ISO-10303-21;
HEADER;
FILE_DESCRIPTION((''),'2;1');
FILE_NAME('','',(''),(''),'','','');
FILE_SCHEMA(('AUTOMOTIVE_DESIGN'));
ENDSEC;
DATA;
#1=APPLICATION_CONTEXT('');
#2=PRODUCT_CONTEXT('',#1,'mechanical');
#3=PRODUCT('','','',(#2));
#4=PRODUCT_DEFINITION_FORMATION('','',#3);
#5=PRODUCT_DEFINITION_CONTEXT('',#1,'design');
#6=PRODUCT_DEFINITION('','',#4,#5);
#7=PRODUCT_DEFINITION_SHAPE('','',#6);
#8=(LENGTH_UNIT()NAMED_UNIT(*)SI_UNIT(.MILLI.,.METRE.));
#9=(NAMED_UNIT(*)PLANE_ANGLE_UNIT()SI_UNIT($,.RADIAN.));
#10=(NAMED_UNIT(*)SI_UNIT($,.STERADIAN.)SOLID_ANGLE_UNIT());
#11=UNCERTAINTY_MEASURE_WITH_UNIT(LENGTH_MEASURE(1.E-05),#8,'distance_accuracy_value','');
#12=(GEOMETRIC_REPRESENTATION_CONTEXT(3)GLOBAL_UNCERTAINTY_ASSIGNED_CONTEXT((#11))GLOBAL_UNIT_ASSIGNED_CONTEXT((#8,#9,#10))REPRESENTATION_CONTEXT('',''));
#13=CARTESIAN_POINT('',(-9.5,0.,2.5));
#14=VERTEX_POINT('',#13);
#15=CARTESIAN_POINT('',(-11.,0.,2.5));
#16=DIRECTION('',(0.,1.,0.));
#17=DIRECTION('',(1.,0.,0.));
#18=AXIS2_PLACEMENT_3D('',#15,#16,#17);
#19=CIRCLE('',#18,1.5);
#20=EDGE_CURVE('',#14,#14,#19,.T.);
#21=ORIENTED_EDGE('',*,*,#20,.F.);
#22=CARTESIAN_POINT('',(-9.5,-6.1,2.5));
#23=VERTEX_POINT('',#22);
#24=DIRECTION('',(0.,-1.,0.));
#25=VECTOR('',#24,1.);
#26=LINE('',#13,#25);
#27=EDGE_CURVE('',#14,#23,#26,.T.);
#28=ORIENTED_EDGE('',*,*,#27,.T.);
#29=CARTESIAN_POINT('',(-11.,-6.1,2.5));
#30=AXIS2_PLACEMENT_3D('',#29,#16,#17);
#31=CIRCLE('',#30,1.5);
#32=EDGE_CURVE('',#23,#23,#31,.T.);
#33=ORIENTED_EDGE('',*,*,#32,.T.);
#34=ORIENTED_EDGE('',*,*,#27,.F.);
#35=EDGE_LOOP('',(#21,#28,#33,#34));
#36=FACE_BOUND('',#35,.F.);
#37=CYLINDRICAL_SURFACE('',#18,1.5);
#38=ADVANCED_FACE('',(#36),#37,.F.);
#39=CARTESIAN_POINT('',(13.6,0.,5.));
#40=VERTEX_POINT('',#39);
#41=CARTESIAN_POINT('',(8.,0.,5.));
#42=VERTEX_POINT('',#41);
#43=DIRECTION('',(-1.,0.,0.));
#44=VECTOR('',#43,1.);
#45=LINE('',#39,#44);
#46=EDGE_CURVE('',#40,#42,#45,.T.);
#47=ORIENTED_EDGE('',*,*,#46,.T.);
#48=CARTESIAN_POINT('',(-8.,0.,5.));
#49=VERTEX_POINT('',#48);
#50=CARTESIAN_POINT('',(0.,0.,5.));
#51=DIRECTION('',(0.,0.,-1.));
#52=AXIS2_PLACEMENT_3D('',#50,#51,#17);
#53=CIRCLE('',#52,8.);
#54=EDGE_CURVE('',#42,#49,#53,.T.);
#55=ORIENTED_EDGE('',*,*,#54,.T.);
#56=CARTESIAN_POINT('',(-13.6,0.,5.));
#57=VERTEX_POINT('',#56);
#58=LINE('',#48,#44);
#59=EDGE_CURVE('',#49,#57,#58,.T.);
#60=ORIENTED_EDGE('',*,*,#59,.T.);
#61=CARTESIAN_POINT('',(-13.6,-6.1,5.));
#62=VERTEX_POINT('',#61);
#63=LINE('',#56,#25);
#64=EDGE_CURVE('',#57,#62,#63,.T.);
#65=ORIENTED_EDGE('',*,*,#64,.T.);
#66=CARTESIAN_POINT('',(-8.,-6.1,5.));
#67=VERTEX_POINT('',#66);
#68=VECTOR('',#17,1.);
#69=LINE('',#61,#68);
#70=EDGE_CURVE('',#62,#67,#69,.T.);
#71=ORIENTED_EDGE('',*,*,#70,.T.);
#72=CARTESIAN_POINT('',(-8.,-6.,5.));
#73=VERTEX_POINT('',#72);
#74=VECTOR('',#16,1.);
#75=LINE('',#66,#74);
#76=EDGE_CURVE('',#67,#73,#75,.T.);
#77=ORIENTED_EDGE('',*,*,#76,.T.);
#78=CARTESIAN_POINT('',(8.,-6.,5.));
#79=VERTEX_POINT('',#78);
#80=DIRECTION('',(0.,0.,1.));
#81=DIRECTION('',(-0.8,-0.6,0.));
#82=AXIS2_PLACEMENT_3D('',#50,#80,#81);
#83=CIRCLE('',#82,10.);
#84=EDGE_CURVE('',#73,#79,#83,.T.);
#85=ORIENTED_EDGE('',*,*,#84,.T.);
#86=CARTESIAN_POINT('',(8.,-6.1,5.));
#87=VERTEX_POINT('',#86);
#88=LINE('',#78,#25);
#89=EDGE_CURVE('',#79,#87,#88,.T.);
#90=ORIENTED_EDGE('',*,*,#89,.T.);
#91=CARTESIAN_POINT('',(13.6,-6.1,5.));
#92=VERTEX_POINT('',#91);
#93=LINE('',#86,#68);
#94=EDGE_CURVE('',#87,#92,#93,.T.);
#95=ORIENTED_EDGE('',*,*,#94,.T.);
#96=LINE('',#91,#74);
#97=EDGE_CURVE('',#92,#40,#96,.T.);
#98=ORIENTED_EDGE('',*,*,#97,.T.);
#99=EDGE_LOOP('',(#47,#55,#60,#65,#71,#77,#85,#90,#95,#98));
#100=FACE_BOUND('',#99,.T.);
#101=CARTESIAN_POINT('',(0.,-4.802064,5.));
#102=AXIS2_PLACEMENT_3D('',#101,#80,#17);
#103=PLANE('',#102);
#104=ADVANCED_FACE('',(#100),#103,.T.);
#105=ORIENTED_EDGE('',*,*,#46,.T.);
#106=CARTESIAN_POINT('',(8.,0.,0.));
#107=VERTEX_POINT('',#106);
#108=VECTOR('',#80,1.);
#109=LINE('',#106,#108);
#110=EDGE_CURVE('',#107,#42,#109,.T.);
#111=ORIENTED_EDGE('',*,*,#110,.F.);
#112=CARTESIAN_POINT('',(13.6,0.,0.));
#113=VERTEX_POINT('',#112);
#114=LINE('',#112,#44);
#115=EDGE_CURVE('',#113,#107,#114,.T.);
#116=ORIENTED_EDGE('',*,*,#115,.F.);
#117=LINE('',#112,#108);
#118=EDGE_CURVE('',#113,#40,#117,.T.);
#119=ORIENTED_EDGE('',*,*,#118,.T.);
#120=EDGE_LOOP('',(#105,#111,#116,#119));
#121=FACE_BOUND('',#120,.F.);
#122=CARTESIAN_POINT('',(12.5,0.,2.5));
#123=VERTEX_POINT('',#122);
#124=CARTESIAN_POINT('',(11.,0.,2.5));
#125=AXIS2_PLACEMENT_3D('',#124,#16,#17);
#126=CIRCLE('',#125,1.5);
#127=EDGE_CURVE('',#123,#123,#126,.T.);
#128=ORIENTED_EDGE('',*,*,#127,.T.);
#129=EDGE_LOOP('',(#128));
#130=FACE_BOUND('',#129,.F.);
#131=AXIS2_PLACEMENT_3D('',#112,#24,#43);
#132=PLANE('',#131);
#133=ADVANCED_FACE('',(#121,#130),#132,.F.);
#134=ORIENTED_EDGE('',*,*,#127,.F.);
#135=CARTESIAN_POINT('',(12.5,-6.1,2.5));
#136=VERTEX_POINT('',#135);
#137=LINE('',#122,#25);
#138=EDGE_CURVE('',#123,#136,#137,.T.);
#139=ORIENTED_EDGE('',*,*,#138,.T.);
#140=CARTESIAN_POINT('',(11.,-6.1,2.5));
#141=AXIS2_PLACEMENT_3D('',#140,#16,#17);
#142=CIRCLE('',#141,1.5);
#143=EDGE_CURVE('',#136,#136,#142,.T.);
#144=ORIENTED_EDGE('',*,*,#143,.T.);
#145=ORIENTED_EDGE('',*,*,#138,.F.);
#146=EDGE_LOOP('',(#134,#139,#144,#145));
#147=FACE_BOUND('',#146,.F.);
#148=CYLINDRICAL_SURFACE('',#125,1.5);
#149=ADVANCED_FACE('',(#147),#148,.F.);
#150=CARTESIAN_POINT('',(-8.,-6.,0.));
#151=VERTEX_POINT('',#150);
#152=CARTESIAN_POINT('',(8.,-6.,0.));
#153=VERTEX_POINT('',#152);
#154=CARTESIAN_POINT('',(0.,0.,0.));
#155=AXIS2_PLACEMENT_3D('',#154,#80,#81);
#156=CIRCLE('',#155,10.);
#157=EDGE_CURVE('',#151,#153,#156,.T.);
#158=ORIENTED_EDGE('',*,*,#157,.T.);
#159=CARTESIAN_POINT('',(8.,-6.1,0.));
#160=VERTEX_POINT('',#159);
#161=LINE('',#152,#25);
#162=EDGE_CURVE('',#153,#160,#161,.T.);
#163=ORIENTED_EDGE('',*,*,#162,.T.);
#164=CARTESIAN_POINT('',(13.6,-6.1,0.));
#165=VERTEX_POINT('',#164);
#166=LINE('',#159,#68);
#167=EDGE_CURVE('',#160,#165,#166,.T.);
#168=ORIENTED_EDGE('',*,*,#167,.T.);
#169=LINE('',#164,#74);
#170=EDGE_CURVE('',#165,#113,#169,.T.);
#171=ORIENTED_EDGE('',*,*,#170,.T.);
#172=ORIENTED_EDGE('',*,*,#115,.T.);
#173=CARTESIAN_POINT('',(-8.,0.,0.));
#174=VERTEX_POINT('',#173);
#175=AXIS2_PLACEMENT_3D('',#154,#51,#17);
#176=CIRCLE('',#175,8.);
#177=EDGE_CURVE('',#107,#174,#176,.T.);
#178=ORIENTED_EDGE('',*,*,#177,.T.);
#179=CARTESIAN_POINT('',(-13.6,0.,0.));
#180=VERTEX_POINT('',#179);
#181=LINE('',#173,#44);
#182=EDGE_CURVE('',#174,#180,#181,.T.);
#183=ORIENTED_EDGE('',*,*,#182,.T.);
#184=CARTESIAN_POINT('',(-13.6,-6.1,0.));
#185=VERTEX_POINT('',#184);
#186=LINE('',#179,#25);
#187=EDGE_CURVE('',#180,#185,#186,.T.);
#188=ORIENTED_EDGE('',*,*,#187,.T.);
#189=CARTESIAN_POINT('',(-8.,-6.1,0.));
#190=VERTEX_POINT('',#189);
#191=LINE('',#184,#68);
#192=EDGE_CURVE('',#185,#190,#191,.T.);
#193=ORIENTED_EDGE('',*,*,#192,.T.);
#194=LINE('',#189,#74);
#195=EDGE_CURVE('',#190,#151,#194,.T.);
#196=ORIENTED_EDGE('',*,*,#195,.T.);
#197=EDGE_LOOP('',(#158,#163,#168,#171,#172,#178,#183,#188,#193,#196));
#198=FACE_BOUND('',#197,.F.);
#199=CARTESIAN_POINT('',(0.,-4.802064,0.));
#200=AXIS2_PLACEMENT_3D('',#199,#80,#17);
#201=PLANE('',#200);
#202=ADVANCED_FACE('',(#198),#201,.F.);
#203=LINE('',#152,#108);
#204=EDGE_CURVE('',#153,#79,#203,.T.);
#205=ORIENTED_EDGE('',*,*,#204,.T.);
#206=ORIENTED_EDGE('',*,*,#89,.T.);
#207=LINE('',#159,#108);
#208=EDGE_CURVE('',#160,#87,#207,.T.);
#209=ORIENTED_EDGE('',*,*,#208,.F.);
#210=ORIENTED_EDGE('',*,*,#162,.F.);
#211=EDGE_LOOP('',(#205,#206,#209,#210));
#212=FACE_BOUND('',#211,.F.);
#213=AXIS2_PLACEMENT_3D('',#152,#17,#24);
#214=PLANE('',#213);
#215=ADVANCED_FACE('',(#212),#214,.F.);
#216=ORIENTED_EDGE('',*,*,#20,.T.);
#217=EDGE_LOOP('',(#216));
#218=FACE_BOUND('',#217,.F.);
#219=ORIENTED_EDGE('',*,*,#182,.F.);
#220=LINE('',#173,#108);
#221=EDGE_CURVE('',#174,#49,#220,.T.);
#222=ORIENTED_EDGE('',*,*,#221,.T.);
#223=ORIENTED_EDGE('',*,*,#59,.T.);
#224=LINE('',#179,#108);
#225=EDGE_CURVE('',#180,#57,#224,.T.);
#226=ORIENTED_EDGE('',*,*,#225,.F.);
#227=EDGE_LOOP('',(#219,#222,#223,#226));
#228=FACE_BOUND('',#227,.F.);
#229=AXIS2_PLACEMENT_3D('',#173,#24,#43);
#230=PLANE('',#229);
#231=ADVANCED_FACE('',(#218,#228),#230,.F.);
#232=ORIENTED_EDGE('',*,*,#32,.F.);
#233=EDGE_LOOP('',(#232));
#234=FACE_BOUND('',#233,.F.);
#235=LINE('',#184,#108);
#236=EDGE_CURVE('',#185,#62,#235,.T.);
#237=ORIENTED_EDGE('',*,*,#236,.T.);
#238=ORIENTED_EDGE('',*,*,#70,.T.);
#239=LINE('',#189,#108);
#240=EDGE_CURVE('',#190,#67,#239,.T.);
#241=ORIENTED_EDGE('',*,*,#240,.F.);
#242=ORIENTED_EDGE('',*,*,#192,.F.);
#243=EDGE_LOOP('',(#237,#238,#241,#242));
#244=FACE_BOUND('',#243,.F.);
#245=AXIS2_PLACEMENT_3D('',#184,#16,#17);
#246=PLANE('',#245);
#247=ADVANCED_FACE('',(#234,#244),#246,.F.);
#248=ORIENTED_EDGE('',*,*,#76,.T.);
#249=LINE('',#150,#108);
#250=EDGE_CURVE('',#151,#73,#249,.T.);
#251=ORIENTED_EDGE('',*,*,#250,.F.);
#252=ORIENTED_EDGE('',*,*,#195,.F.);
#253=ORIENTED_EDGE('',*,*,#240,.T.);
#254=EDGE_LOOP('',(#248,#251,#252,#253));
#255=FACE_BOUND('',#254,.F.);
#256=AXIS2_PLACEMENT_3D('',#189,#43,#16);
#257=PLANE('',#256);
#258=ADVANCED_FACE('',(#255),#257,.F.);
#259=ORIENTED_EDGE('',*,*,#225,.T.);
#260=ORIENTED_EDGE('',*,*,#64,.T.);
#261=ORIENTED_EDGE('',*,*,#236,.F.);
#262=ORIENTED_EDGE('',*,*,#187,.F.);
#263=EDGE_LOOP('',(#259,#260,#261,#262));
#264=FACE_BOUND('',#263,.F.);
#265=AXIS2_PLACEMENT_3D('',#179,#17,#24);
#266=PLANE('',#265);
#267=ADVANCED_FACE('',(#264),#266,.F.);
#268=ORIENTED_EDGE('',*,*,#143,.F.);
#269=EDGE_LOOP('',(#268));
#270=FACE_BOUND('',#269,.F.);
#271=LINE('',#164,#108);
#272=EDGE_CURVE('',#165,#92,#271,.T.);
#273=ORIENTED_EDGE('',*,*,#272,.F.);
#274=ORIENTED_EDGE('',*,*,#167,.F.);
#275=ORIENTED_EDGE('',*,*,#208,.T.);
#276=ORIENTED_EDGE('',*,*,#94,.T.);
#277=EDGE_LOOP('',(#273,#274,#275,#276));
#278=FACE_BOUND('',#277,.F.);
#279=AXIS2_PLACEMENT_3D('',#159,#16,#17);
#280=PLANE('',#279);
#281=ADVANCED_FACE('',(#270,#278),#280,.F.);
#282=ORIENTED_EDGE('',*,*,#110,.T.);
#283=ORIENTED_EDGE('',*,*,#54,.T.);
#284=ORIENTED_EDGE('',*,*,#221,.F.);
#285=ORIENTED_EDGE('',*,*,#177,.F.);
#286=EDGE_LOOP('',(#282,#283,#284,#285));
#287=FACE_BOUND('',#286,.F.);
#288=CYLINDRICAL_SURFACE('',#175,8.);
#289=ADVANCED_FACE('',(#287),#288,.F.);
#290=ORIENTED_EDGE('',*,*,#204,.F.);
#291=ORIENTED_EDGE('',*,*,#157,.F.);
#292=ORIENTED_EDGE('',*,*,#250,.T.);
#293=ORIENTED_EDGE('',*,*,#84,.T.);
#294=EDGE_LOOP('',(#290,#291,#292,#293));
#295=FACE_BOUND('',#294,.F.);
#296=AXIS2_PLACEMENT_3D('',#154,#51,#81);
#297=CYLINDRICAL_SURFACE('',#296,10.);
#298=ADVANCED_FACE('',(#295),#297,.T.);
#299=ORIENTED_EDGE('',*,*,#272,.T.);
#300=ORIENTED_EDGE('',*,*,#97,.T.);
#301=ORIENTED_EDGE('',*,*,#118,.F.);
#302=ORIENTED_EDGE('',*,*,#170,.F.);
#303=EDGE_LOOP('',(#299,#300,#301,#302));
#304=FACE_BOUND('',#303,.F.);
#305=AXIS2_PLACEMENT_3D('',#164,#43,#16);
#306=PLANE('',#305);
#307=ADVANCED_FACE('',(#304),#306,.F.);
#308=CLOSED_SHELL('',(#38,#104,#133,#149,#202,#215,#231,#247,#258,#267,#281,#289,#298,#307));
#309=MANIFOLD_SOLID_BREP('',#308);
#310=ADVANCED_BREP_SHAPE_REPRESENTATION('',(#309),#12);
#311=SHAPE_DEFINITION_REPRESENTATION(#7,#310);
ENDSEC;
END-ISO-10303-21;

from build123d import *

# Parameters (mm, degrees)
BOSS_EXTRUDE1_DEPTH = 5
SKETCH3_R           = 1.5
CUT_EXTRUDE1_DEPTH  = 10


with BuildPart() as part:
    # Sketch2 → Boss-Extrude1 (new body)
    with BuildSketch(Plane.XY):
        with BuildLine():
            ThreePointArc((-8, -6), (0, -10), (8, -6))
            Line((8, -6), (8, -6.1))
            Line((8, -6.1), (13.6, -6.1))
            Line((13.6, -6.1), (13.6, 0))
            Line((13.6, 0), (8, 0))
            ThreePointArc((8, 0), (0, -8), (-8, 0))
            Line((-8, 0), (-13.6, 0))
            Line((-13.6, 0), (-13.6, -6.1))
            Line((-13.6, -6.1), (-8, -6.1))
            Line((-8, -6.1), (-8, -6))
        make_face()
    extrude(amount=BOSS_EXTRUDE1_DEPTH)

    # Sketch3 → Cut-Extrude1 (cut)
    with BuildSketch(Plane(origin=(0, 0, 0), x_dir=(1, 0, 0), z_dir=(0, 1, 0))):
        with Locations((-11, -2.5)):
            Circle(SKETCH3_R)
        with Locations((11, -2.5)):
            Circle(SKETCH3_R)
    extrude(amount=-CUT_EXTRUDE1_DEPTH, mode=Mode.SUBTRACT)


solid = part.part
